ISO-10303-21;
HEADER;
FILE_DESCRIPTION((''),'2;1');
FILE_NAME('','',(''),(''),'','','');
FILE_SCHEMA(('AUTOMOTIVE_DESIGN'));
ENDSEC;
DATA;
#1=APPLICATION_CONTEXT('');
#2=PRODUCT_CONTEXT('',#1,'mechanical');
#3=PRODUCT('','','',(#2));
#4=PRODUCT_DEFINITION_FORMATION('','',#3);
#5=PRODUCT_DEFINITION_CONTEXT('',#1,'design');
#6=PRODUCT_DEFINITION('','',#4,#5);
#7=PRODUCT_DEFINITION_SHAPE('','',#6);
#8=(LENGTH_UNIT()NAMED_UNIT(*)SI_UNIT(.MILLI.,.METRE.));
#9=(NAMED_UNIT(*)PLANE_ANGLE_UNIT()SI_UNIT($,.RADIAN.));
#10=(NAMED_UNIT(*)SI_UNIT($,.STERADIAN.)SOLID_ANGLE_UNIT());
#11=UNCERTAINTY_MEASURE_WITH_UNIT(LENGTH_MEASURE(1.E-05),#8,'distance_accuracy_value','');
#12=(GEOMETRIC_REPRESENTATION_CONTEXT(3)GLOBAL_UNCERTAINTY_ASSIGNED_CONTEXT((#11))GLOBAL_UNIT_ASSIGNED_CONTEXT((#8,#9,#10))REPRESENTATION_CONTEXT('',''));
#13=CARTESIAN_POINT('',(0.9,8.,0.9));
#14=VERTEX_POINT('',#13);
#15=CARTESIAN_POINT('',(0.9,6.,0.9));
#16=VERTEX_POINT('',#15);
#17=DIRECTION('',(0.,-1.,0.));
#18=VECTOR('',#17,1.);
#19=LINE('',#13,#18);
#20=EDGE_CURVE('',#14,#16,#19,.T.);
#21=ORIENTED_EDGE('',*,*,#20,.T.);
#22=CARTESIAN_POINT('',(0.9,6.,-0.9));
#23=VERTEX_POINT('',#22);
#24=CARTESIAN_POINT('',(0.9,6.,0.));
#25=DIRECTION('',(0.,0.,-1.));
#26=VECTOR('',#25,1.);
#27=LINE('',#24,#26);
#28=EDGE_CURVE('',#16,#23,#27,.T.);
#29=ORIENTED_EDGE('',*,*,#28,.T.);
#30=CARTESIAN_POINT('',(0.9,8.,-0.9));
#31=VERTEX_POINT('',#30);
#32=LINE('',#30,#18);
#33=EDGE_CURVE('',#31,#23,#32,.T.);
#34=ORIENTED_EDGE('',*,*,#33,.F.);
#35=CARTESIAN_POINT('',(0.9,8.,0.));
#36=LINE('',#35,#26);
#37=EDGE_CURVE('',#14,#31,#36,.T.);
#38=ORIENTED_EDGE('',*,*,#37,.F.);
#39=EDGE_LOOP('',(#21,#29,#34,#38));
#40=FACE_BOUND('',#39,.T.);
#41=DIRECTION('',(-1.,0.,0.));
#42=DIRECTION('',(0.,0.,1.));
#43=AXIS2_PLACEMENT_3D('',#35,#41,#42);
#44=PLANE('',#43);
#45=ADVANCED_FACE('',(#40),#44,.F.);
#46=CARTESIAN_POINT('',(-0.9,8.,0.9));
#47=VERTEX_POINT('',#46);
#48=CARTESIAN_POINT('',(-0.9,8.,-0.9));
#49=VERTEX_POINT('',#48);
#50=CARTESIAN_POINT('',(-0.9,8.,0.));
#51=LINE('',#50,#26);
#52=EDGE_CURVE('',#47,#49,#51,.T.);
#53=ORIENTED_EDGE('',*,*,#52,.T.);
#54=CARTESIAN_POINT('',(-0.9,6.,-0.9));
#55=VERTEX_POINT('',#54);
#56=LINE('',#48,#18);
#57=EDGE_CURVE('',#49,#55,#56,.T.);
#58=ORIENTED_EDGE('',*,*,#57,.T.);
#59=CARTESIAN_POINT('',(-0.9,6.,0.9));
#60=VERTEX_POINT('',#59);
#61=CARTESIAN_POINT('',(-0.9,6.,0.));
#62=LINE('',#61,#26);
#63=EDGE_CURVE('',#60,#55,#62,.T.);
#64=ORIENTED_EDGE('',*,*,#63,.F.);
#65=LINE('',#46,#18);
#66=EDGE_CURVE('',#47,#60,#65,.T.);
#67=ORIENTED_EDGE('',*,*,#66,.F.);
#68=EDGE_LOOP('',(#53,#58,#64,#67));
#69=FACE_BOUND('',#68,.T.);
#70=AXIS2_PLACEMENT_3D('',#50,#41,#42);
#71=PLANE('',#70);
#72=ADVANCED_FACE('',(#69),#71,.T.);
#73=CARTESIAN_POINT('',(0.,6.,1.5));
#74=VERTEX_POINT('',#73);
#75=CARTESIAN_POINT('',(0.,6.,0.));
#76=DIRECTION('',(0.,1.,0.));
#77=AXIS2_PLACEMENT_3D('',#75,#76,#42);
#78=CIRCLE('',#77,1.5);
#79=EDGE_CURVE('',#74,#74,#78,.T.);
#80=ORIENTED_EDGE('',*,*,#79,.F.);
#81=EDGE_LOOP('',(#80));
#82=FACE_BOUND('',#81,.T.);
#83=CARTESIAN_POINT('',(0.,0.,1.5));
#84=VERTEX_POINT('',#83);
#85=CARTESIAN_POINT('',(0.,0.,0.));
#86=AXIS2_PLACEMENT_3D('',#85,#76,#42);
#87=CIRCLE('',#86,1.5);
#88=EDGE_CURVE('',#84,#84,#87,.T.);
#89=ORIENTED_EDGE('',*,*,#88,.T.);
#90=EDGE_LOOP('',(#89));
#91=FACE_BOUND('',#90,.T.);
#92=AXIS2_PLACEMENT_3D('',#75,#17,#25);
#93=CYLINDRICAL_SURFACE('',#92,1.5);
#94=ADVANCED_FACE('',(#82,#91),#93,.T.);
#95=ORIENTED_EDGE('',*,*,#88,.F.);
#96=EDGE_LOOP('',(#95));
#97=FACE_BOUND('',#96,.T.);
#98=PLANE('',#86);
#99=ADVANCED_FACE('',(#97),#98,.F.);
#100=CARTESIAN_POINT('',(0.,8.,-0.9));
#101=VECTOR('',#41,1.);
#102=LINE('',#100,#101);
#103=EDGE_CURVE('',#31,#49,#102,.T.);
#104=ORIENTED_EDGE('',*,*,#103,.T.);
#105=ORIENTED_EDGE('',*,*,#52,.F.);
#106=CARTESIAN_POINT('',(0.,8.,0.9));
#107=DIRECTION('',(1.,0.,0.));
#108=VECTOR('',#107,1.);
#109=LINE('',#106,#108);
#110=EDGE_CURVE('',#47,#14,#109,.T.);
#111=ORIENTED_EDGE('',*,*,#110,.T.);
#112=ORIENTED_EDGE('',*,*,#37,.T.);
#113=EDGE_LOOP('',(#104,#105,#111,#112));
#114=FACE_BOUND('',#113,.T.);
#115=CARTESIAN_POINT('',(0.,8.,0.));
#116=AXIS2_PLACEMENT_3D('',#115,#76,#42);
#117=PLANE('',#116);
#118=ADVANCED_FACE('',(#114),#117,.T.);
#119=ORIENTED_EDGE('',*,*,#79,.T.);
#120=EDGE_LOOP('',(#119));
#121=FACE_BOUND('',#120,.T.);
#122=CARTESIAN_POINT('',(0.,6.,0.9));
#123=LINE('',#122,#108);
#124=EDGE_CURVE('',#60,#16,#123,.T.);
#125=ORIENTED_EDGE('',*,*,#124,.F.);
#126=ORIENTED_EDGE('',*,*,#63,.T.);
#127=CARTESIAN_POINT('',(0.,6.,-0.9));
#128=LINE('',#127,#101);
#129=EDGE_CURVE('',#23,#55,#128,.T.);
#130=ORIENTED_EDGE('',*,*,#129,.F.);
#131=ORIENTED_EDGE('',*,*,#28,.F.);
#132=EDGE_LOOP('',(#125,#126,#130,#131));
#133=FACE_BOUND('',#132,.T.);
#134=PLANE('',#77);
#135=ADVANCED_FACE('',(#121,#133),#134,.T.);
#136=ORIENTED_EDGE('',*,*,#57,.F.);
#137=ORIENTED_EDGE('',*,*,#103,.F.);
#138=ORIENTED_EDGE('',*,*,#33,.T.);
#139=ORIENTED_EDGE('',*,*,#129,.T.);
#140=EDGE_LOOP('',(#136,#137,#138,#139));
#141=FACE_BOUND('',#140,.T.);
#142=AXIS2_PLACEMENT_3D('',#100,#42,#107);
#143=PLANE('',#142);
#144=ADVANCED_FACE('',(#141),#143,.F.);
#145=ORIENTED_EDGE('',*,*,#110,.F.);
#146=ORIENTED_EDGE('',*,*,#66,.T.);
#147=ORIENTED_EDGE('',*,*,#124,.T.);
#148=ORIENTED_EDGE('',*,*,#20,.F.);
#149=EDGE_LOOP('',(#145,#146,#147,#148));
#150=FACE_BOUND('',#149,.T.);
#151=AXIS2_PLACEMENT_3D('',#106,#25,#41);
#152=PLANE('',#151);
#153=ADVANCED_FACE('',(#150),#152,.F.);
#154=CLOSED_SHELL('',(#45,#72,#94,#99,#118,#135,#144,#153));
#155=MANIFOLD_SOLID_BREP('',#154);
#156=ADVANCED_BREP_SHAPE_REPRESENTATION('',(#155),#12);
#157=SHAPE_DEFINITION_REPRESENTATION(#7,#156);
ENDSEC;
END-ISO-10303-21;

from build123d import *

# Parameters (mm, degrees)
SKETCH1_R           = 1.5
BOSS_EXTRUDE1_DEPTH = 6
BOSS_EXTRUDE3_DEPTH = 2


with BuildPart() as part:
    # Sketch1 → Boss-Extrude1 (new body)
    with BuildSketch(Plane(origin=(0, 0, 0), x_dir=(1, 0, 0), z_dir=(0, 1, 0))):
        with Locations(Location((0, 0, 0), (0, 0, 270))):
            Circle(SKETCH1_R)
    extrude(amount=BOSS_EXTRUDE1_DEPTH)

    # Sketch2 → Boss-Extrude3 (add)
    with BuildSketch(Plane(origin=(0, 6, 0), x_dir=(1, 0, 0), z_dir=(0, 1, 0))):
        Polygon((0, -0.9), (0.9, -0.9), (0.9, 0), (0.9, 0.9), (0, 0.9), (-0.9, 0.9), (-0.9, 0), (-0.9, -0.9), align=None)
    extrude(amount=BOSS_EXTRUDE3_DEPTH)


solid = part.part
